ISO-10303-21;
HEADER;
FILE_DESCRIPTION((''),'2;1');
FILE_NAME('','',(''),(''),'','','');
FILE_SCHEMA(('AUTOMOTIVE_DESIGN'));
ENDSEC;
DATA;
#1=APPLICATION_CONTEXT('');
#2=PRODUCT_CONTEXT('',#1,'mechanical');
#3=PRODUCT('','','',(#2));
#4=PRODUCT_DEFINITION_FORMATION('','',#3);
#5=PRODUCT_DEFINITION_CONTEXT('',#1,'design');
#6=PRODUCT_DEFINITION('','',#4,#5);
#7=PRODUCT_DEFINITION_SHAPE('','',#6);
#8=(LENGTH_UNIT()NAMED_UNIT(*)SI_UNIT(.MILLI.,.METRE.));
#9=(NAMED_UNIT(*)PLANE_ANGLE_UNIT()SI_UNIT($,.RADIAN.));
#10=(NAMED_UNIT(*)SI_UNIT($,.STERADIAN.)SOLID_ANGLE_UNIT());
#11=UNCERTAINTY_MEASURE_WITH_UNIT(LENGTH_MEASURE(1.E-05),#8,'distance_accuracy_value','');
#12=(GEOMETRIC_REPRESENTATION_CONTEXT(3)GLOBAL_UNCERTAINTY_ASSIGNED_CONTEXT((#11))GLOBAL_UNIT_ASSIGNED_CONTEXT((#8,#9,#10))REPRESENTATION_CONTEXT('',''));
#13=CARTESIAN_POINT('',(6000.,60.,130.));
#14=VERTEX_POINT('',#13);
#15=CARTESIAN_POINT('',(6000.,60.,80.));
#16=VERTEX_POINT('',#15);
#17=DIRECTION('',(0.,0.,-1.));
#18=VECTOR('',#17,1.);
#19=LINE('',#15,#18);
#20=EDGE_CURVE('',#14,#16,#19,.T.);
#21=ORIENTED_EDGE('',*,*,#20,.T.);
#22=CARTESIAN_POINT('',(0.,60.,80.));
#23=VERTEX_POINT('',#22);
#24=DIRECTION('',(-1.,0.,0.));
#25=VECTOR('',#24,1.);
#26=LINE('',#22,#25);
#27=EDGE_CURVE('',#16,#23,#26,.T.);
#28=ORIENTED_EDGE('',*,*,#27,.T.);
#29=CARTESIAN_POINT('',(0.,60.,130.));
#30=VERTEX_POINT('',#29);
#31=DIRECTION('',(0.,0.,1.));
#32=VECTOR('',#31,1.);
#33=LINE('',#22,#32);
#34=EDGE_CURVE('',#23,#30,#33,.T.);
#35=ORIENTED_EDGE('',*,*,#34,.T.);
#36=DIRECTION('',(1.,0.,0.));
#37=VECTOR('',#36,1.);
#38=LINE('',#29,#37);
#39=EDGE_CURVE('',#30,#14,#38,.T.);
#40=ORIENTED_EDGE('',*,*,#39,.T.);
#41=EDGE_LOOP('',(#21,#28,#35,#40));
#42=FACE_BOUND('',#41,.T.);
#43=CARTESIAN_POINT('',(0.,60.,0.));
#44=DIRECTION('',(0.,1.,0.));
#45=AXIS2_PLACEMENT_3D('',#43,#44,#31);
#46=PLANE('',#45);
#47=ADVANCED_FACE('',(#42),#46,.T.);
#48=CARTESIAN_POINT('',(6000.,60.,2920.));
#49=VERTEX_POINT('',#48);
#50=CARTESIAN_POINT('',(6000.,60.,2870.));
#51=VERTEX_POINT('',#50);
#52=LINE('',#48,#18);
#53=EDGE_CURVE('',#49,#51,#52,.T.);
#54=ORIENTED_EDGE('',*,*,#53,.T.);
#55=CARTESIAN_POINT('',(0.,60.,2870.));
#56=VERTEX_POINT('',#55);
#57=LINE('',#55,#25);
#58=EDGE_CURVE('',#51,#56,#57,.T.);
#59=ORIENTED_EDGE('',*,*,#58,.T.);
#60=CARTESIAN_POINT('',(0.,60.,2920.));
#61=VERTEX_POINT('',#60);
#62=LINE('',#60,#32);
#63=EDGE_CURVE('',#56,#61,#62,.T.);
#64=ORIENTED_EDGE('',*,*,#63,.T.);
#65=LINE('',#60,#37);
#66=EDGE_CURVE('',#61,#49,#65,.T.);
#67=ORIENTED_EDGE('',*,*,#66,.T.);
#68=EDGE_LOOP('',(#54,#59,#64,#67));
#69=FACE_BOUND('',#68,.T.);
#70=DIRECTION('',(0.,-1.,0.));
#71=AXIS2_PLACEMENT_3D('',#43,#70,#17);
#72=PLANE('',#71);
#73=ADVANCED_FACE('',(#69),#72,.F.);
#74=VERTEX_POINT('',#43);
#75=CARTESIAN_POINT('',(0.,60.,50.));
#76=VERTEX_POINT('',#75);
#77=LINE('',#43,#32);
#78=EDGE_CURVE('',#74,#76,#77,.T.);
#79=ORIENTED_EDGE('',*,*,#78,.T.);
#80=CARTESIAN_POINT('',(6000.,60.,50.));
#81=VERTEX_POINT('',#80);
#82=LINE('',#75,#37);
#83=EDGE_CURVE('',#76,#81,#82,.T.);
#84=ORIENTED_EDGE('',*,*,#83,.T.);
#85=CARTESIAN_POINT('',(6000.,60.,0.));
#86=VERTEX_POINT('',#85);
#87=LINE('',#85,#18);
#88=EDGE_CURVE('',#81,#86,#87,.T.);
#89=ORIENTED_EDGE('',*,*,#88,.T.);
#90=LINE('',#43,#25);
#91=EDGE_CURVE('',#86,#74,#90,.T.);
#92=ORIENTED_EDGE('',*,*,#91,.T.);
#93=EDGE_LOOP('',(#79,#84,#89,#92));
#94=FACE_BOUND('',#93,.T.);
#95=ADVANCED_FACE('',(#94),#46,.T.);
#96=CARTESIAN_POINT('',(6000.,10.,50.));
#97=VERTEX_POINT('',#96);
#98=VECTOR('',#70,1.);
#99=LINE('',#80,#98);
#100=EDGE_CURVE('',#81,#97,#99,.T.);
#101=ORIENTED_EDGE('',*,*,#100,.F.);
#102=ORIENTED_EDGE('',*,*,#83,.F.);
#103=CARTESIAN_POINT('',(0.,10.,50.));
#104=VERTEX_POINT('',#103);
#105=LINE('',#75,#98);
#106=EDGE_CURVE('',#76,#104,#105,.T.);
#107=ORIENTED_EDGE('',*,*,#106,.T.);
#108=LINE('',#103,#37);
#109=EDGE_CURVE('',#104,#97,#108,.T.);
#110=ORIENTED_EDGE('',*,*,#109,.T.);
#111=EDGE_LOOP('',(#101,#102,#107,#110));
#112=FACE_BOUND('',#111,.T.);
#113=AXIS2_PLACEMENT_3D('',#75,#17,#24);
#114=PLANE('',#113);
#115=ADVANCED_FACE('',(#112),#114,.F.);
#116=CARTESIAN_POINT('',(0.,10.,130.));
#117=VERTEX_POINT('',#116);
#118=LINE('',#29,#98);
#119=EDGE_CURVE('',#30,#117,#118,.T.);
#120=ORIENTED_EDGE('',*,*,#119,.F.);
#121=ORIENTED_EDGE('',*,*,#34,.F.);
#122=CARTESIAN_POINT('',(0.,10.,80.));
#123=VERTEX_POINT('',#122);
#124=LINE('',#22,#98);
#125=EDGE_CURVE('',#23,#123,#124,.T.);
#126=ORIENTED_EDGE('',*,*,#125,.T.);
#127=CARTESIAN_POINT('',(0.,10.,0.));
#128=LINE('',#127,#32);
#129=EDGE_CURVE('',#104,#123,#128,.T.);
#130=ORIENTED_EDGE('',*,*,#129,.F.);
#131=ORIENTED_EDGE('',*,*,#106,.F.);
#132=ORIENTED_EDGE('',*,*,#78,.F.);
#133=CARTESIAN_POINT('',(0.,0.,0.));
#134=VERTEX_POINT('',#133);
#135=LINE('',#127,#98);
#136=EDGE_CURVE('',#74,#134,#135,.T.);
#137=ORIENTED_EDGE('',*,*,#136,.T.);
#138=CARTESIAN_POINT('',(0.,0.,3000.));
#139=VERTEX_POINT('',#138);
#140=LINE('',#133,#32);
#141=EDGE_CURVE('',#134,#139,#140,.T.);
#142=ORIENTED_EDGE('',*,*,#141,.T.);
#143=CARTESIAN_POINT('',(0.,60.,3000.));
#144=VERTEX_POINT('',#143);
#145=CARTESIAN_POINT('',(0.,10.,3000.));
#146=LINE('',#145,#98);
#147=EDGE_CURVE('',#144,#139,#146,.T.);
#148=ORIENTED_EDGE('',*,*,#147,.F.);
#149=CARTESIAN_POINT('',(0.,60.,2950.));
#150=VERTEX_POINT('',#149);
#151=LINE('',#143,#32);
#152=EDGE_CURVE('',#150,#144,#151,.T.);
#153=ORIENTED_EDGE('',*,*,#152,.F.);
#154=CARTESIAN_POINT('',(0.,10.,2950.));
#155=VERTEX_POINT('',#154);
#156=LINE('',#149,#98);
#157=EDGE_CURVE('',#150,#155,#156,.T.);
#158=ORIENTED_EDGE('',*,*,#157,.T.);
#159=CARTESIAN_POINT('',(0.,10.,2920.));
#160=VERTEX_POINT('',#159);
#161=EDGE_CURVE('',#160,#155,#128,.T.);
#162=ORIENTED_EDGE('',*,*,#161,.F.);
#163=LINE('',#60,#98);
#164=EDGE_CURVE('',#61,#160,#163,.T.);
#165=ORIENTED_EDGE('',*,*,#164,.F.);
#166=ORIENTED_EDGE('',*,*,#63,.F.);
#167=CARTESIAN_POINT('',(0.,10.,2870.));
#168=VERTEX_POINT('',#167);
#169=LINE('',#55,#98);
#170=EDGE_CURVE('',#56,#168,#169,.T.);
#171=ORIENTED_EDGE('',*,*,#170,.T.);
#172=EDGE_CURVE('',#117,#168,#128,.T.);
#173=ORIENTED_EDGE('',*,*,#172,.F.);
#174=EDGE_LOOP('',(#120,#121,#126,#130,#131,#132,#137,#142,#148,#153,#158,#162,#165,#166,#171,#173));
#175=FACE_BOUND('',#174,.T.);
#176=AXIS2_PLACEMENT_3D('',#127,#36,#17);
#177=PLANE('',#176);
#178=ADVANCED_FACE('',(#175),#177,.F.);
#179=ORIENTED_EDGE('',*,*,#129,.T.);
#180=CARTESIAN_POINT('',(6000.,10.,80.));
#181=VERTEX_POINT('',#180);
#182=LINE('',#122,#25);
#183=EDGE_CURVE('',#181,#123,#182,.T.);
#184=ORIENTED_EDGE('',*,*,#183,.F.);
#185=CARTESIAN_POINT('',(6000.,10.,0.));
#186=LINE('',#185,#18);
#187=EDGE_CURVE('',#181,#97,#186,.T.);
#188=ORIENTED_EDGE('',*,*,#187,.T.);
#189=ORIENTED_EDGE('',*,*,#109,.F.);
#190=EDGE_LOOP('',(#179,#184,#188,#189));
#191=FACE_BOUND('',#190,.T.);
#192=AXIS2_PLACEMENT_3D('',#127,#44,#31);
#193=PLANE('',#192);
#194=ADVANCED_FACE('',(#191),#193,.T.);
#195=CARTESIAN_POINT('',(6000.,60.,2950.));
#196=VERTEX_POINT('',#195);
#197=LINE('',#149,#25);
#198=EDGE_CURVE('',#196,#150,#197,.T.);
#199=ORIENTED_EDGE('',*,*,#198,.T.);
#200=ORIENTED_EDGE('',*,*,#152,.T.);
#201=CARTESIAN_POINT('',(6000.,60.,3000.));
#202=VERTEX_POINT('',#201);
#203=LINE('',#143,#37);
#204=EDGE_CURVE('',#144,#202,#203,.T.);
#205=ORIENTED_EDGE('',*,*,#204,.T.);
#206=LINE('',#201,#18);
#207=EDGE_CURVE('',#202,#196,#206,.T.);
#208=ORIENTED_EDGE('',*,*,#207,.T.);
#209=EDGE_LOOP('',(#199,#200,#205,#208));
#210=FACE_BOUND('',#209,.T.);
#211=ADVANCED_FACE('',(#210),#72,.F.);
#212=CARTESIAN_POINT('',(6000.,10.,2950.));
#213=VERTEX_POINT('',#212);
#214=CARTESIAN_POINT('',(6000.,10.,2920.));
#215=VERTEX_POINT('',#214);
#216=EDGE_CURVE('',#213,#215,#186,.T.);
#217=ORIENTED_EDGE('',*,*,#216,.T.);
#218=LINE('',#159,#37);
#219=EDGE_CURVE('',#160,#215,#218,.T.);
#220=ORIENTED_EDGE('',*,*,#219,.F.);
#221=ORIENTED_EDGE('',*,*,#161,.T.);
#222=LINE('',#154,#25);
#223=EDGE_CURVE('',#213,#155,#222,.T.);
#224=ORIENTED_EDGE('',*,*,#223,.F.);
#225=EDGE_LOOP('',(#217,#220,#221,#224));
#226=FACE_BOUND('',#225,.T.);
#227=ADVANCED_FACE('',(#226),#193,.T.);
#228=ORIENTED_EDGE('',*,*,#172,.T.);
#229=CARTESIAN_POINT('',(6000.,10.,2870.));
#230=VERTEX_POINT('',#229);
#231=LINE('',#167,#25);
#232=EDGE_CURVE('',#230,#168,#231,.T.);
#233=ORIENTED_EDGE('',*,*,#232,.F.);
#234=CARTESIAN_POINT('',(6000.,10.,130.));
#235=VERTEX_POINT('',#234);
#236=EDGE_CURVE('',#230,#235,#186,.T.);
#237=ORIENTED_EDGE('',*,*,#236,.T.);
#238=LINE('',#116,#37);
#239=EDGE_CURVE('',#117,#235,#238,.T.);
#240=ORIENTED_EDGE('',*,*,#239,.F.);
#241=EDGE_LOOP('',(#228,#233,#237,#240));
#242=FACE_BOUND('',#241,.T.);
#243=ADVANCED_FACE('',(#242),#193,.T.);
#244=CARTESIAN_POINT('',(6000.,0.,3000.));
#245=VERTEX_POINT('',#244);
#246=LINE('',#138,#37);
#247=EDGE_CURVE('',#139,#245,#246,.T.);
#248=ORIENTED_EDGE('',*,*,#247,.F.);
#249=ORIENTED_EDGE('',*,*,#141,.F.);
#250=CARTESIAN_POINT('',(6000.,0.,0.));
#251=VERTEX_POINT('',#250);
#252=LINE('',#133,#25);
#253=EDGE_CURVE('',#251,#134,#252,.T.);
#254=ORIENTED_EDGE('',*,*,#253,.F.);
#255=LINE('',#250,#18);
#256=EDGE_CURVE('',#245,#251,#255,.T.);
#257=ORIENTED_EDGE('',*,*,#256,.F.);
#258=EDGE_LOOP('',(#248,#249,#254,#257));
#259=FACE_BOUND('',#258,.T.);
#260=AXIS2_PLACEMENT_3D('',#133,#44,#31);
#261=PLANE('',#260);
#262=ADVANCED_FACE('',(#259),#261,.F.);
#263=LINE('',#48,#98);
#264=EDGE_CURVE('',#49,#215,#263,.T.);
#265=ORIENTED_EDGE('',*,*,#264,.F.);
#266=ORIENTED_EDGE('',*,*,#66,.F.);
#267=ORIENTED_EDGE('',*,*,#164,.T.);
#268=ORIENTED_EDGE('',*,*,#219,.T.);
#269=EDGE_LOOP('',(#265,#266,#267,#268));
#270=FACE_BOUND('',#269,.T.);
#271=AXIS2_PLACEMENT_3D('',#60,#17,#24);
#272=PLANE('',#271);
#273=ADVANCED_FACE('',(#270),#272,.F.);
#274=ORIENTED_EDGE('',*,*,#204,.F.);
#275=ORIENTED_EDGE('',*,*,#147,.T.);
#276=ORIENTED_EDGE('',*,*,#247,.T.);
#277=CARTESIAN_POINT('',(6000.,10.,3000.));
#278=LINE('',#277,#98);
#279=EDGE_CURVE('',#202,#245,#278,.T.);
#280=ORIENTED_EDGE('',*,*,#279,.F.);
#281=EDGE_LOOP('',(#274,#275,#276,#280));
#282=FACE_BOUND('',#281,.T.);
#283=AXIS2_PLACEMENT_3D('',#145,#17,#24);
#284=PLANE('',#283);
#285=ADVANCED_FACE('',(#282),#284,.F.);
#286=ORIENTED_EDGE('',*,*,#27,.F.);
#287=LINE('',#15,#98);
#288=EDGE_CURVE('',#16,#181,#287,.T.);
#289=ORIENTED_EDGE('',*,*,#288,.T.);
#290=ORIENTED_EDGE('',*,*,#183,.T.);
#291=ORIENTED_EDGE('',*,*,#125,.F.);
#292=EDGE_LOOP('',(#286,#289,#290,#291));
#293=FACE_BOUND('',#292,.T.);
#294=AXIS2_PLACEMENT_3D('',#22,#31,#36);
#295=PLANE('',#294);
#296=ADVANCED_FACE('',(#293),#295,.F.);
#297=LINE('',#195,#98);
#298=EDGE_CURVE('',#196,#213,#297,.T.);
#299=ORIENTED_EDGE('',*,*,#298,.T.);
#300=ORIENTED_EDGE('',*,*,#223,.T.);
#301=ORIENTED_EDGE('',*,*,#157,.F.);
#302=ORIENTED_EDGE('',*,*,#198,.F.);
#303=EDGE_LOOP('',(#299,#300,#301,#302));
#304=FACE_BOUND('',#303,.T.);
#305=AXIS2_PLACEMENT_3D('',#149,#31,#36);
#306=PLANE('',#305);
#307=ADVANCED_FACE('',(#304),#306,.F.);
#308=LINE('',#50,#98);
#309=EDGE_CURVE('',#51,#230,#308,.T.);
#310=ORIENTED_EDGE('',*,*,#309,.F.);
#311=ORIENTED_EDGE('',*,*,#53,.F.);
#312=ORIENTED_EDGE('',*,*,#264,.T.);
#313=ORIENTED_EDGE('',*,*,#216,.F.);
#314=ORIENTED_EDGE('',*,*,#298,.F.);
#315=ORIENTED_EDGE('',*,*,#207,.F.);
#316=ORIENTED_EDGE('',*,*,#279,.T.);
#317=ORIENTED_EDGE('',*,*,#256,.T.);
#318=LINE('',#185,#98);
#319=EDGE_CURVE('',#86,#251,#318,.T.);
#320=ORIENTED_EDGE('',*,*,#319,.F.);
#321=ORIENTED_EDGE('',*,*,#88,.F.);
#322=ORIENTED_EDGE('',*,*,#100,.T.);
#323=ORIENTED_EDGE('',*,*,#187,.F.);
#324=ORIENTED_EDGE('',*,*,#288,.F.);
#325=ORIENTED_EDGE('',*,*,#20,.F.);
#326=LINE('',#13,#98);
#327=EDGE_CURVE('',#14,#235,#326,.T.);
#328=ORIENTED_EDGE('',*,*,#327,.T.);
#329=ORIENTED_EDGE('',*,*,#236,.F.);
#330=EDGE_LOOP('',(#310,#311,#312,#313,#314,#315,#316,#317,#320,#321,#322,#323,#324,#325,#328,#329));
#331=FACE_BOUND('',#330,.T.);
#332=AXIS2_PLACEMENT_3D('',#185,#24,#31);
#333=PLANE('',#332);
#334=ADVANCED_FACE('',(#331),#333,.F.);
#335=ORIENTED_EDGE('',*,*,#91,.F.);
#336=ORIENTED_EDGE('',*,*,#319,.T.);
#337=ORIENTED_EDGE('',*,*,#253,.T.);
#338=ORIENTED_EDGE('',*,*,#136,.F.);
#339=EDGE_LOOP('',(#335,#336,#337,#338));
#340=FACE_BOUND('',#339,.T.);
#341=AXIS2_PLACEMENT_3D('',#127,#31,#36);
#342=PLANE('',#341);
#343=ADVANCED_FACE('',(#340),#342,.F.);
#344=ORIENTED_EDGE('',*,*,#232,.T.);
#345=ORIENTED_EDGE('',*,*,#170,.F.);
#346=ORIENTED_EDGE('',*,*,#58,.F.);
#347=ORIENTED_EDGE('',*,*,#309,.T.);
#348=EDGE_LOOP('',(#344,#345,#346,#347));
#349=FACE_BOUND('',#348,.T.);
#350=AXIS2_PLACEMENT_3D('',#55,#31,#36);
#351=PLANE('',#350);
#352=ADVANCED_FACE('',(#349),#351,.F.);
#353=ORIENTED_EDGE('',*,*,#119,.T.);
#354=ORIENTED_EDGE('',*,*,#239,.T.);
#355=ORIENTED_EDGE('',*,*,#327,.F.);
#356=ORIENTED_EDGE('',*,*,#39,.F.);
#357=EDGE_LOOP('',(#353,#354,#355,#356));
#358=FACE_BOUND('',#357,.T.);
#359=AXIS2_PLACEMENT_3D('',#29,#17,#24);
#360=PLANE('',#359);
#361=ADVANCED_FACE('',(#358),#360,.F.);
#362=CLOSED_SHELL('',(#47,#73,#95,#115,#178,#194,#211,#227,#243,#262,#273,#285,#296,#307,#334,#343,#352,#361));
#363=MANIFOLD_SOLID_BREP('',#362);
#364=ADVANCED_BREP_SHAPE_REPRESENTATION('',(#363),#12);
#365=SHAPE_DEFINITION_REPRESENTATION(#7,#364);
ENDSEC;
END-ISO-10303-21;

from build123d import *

# Parameters (mm, degrees)
SKETCH1_W           = 6000
SKETCH1_H           = 3000
BOSS_EXTRUDE1_DEPTH = 10
SKETCH3_W           = 6000
SKETCH3_H           = 50
BOSS_EXTRUDE2_DEPTH = 50
SKETCH4_W           = 6000
SKETCH4_H           = 50
BOSS_EXTRUDE3_DEPTH = 50


with BuildPart() as part:
    # Sketch1 → Boss-Extrude1 (new body)
    with BuildSketch(Plane(origin=(0, 0, 0), x_dir=(1, 0, 0), z_dir=(0, 1, 0))):
        with Locations((3000, -1500)):
            Rectangle(SKETCH1_W, SKETCH1_H)
    extrude(amount=BOSS_EXTRUDE1_DEPTH)

    # Sketch3 → Boss-Extrude2 (add)
    with BuildSketch(Plane(origin=(0, 10, 0), x_dir=(1, 0, 0), z_dir=(0, 1, 0))):
        with Locations((3000, -2975)):
            Rectangle(SKETCH3_W, SKETCH3_H)
        with Locations((3000, -2895)):
            Rectangle(SKETCH3_W, SKETCH3_H)
    extrude(amount=BOSS_EXTRUDE2_DEPTH)

    # Sketch4 → Boss-Extrude3 (add)
    with BuildSketch(Plane(origin=(0, 10, 0), x_dir=(1, 0, 0), z_dir=(0, 1, 0))):
        with Locations((3000, -25)):
            Rectangle(SKETCH4_W, SKETCH4_H)
        with Locations((3000, -105)):
            Rectangle(SKETCH4_W, SKETCH4_H)
    extrude(amount=BOSS_EXTRUDE3_DEPTH)


solid = part.part
